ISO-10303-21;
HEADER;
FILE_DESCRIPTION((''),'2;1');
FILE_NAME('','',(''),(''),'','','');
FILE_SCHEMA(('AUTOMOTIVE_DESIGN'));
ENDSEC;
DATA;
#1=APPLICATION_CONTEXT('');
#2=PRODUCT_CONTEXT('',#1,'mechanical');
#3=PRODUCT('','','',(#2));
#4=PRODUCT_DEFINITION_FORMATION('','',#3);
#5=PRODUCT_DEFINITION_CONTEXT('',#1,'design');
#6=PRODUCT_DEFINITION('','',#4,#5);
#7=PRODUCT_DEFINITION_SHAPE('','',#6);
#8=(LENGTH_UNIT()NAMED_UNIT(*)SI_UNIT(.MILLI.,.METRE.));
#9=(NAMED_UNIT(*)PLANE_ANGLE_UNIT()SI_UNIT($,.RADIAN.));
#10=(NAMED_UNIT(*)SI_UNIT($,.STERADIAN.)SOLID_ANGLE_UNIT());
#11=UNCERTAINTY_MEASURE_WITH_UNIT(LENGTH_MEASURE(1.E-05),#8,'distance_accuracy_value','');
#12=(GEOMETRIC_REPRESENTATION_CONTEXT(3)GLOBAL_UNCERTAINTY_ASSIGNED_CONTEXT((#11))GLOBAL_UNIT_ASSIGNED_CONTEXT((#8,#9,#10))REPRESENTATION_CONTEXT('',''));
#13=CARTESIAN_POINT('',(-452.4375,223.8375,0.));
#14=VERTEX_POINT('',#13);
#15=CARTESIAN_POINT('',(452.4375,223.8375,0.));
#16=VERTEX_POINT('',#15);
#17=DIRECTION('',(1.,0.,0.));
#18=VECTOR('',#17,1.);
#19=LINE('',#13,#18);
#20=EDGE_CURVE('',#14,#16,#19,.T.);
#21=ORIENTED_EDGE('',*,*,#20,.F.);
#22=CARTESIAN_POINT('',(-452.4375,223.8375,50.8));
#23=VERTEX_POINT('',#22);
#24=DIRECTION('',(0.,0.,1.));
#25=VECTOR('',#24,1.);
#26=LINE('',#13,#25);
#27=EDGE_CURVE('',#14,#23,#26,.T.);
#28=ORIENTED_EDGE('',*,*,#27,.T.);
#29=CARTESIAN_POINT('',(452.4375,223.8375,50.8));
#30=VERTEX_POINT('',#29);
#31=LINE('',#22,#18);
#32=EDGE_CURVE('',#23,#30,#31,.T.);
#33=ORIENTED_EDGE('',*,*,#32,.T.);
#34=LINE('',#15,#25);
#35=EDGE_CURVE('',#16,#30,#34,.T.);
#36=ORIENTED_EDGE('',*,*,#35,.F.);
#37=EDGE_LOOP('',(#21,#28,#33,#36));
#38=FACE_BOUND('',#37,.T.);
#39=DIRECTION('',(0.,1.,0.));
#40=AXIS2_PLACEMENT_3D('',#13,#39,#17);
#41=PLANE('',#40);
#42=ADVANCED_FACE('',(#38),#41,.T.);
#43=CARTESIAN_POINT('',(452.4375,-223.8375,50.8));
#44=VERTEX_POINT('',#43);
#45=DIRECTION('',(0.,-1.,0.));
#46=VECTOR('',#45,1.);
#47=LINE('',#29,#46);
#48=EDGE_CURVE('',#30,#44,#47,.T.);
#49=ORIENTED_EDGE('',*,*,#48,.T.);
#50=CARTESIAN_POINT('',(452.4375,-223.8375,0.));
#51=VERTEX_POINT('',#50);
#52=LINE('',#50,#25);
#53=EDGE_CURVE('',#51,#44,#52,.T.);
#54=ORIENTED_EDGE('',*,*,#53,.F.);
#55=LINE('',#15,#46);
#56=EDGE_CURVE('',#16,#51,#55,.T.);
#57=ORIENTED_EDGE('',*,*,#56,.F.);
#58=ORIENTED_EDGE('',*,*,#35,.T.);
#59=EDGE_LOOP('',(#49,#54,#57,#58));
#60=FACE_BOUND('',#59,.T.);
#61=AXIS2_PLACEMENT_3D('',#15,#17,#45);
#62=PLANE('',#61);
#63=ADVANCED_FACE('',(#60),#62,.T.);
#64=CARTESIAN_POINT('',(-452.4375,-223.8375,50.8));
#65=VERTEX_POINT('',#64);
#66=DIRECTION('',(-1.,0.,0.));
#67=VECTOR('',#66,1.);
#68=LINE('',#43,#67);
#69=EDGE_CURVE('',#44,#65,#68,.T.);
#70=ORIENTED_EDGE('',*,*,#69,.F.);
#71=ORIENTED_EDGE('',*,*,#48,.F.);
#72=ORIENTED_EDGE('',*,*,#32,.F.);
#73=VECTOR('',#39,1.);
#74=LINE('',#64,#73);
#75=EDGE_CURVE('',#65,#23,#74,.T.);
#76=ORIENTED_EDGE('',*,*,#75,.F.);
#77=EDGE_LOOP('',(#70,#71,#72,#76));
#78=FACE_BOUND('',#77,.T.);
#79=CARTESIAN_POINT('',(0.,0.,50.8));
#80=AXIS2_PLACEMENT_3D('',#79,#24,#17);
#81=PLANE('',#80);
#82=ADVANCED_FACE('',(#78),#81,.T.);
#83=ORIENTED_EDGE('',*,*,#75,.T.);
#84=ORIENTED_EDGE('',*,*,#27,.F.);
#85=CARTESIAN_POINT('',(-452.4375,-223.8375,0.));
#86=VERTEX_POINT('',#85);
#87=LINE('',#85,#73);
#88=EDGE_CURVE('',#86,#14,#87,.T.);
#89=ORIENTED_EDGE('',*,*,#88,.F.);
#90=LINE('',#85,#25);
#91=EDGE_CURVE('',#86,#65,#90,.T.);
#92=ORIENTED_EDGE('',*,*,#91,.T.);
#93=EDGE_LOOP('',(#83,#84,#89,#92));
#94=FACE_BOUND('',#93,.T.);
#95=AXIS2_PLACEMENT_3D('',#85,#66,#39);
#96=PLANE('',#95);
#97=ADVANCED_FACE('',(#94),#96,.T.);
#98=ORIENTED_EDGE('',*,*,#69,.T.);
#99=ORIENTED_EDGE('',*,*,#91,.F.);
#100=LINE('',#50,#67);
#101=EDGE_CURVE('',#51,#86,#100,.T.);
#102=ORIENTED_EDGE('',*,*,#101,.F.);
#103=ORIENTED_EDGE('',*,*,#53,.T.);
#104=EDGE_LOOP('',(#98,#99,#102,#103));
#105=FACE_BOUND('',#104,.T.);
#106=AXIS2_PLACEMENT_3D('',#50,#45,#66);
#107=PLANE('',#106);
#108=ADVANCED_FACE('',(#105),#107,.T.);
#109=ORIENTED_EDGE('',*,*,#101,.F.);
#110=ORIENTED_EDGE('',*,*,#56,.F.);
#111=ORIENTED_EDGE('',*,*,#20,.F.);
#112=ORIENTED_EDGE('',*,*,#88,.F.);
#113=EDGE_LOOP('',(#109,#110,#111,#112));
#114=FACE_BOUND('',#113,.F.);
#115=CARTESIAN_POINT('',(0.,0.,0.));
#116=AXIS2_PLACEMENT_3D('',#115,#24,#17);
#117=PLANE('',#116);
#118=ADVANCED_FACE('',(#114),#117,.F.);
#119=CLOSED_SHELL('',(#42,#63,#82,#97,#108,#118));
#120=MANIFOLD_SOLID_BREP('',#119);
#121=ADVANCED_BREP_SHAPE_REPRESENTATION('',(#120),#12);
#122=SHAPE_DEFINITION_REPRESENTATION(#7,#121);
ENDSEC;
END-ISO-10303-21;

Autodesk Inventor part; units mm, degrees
ref_plane "YZ Plane" through (0, 0, 0) normal (1, 0, 0) x (0, 1, 0)
ref_plane "XZ Plane" through (0, 0, 0) normal (0, 1, 0) x (-1, 0, 0)
ref_plane "XY Plane" through (0, 0, 0) normal (0, 0, 1) x (1, 0, 0)
sketch "Sketch1" plane through (0, 0, 0) normal (0, 0, 1) x (1, 0, 0)
  line L0 (-452.4375, 223.8375) -> (452.4375, 223.8375)
  line L1 (452.4375, 223.8375) -> (452.4375, -223.8375)
  line L2 (452.4375, -223.8375) -> (-452.4375, -223.8375)
  line L3 (-452.4375, -223.8375) -> (-452.4375, 223.8375)
  line L4 (-452.4375, 223.8375) -> (452.4375, -223.8375) construction
  line L5 (452.4375, 223.8375) -> (-452.4375, -223.8375) construction
  point P0 (0, 0)
  dimension "d0" = 904.875
  dimension "d1" = 447.675
extrude "Extrusion1" add sketch "Sketch1" along normal blind 50.8
properties part number "10 - panel - 214" material "Granite, Cut, Polished"
